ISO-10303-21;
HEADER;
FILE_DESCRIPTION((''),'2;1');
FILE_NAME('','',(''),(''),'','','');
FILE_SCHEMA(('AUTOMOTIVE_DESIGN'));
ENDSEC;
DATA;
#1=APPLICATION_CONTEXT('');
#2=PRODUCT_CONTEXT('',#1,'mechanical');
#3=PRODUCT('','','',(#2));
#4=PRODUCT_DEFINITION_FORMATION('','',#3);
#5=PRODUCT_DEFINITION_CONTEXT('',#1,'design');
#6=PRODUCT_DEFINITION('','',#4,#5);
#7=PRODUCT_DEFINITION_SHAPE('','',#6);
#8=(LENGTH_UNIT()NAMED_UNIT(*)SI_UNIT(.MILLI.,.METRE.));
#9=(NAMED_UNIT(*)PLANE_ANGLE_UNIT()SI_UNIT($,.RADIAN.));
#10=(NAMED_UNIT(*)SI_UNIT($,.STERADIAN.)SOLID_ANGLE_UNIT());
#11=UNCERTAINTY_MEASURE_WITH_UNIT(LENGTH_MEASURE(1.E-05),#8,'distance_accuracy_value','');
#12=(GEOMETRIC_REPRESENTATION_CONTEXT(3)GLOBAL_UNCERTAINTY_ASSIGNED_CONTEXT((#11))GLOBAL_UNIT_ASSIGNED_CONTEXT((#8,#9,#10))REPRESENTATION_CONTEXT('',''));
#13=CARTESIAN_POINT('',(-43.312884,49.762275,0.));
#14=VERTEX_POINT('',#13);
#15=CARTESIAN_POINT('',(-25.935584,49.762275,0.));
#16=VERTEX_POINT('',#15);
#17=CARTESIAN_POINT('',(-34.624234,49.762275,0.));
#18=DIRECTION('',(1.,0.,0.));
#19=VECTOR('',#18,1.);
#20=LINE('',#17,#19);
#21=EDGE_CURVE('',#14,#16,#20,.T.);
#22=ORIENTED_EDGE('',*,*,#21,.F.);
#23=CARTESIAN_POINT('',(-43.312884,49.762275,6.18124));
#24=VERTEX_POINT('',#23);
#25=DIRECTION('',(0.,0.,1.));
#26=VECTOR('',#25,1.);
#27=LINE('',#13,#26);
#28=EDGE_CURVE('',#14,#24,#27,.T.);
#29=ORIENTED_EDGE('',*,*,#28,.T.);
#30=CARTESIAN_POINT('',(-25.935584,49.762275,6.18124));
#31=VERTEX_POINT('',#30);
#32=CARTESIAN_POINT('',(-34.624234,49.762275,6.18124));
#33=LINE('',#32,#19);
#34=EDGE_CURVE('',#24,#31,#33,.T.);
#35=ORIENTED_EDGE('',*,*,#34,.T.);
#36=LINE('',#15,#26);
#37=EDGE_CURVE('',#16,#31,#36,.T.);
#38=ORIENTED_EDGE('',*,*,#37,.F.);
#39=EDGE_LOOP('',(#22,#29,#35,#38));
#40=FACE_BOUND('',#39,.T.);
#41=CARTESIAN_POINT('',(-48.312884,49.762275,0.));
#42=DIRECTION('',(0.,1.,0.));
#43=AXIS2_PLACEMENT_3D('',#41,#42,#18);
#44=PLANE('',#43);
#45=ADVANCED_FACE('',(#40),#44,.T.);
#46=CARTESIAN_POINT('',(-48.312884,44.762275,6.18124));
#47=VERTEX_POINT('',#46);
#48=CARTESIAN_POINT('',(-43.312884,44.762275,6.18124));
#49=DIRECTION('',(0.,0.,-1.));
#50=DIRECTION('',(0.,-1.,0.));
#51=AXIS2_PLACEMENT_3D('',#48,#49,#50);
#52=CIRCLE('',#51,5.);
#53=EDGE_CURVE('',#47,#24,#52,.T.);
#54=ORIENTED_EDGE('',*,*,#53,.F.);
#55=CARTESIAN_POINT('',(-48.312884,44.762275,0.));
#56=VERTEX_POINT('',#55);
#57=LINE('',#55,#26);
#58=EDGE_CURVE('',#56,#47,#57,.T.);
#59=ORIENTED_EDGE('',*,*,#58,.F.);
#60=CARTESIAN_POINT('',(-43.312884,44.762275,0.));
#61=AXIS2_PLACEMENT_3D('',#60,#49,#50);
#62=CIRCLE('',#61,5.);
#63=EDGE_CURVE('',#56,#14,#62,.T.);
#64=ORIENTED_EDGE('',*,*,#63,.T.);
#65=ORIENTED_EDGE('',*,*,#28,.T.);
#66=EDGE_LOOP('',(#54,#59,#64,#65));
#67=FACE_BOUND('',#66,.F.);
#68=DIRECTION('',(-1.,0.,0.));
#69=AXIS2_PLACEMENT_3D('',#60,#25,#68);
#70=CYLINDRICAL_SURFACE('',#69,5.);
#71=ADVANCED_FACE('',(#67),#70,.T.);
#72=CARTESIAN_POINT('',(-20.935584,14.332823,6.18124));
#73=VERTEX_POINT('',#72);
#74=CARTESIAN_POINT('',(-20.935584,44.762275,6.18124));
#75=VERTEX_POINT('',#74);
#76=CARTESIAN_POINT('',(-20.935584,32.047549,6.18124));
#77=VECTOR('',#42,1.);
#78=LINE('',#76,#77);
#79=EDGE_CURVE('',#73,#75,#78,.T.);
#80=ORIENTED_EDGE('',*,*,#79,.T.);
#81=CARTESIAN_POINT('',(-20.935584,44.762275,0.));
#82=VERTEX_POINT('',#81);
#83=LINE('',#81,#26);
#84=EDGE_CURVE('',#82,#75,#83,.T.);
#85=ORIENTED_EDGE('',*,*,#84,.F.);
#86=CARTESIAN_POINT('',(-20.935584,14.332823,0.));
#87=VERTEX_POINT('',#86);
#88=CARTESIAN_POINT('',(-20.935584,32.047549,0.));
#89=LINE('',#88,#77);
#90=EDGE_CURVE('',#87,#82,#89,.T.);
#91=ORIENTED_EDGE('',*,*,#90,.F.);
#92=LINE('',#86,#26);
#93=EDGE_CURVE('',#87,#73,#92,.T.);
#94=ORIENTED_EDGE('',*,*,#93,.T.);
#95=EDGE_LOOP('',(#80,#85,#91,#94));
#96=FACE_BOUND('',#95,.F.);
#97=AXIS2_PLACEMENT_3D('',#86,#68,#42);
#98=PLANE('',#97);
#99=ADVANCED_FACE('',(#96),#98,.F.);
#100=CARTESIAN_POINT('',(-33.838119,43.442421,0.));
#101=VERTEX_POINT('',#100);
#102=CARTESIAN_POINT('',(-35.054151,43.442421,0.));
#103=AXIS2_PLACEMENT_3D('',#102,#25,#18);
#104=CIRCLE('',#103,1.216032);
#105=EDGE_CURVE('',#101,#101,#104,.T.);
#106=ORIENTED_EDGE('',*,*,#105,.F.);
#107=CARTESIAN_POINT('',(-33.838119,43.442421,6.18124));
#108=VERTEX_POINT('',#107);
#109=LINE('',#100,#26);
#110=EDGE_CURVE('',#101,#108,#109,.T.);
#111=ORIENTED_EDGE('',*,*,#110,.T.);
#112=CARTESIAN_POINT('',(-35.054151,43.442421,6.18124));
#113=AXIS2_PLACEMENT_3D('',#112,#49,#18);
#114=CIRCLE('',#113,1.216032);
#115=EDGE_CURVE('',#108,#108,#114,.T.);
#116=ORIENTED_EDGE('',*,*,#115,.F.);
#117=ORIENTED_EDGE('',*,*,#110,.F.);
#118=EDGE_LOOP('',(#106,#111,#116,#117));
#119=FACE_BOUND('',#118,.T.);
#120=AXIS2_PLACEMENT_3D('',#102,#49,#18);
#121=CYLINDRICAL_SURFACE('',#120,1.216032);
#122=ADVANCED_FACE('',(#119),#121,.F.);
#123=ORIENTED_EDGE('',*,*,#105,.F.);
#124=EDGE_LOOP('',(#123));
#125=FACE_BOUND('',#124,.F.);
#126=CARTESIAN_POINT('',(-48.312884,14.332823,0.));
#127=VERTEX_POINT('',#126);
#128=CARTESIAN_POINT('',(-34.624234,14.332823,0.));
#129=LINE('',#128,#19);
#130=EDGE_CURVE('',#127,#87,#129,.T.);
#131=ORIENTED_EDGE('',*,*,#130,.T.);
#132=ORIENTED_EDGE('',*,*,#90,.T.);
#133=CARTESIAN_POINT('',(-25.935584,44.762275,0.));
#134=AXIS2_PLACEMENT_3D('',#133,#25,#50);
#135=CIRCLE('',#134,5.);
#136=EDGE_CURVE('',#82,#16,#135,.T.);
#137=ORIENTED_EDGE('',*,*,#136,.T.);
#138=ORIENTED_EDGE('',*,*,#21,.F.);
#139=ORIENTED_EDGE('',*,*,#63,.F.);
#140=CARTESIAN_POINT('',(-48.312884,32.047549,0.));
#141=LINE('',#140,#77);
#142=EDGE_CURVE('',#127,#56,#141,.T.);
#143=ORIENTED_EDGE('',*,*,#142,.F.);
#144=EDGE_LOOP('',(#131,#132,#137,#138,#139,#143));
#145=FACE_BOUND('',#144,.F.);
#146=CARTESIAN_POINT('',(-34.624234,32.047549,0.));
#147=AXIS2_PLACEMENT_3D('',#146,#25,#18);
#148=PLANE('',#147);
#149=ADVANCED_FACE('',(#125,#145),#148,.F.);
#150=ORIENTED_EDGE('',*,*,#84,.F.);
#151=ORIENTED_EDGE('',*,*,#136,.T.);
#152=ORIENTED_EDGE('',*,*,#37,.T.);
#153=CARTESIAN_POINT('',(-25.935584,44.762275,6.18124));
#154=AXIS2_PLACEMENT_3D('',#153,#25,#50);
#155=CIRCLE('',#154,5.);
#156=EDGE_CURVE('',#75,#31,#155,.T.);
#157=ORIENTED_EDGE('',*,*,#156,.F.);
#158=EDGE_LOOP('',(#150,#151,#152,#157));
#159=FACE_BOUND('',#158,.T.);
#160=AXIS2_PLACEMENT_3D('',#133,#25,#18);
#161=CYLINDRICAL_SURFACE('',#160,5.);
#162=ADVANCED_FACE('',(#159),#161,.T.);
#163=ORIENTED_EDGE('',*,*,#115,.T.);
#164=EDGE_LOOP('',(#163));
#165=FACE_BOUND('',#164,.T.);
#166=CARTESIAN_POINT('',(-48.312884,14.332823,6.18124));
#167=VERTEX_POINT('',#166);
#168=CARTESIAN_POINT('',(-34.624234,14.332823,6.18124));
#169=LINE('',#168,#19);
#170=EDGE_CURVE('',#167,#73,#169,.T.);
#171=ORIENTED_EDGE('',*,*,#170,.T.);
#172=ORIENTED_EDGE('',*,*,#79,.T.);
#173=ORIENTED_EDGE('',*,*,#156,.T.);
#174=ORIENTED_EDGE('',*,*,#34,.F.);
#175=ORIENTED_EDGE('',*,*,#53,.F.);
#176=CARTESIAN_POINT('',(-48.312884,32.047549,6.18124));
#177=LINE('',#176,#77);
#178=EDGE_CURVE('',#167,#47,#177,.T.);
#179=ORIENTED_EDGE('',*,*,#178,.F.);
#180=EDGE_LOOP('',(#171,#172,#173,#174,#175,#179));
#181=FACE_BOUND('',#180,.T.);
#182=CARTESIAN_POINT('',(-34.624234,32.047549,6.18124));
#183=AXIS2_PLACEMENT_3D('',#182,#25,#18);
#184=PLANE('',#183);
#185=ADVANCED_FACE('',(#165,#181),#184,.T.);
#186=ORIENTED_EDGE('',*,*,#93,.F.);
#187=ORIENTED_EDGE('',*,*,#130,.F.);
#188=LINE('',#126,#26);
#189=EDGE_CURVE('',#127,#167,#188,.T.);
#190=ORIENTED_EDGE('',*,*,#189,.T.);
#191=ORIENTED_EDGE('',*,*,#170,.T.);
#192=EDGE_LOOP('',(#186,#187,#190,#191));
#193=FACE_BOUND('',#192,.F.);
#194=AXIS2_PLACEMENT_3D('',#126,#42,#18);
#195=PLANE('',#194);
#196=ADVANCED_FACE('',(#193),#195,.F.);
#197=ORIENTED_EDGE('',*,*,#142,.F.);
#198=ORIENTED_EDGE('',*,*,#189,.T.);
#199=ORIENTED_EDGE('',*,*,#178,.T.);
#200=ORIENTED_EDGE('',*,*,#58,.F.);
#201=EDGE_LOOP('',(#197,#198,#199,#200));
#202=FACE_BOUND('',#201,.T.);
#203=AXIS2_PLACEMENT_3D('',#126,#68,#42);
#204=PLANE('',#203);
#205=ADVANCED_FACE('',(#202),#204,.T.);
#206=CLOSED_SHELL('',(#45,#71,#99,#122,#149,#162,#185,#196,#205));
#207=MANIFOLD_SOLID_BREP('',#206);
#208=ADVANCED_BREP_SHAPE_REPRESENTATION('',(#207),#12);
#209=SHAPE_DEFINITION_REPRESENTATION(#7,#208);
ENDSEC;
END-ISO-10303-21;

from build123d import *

# Parameters (mm, degrees)
F0_W     = 27.3773
F0_H     = 35.429452
F1_DEPTH = 6.18124
F2_R     = 5
F3_R     = 1.216032
F4_DEPTH = 25


with BuildPart() as f1:
    # F0 (on Top) → F1 (new body)
    with BuildSketch(Plane.XY):
        with Locations((-34.624234, 32.047549)):
            Rectangle(F0_W, F0_H)
    extrude(amount=F1_DEPTH)

    # F2
    f2_edges = [f1.edges().sort_by_distance(p)[0] for p in [
        (-20.935584, 49.762275, 3.09062),
        (-48.312884, 49.762275, 3.09062),
    ]]
    fillet(f2_edges, radius=F2_R)

    # F3 (on Top) → F4 (cut)
    with BuildSketch(Plane.XY):
        with Locations((-35.054151, 43.442421)):
            Circle(F3_R)
    extrude(amount=F4_DEPTH, mode=Mode.SUBTRACT)


solid = f1.part
